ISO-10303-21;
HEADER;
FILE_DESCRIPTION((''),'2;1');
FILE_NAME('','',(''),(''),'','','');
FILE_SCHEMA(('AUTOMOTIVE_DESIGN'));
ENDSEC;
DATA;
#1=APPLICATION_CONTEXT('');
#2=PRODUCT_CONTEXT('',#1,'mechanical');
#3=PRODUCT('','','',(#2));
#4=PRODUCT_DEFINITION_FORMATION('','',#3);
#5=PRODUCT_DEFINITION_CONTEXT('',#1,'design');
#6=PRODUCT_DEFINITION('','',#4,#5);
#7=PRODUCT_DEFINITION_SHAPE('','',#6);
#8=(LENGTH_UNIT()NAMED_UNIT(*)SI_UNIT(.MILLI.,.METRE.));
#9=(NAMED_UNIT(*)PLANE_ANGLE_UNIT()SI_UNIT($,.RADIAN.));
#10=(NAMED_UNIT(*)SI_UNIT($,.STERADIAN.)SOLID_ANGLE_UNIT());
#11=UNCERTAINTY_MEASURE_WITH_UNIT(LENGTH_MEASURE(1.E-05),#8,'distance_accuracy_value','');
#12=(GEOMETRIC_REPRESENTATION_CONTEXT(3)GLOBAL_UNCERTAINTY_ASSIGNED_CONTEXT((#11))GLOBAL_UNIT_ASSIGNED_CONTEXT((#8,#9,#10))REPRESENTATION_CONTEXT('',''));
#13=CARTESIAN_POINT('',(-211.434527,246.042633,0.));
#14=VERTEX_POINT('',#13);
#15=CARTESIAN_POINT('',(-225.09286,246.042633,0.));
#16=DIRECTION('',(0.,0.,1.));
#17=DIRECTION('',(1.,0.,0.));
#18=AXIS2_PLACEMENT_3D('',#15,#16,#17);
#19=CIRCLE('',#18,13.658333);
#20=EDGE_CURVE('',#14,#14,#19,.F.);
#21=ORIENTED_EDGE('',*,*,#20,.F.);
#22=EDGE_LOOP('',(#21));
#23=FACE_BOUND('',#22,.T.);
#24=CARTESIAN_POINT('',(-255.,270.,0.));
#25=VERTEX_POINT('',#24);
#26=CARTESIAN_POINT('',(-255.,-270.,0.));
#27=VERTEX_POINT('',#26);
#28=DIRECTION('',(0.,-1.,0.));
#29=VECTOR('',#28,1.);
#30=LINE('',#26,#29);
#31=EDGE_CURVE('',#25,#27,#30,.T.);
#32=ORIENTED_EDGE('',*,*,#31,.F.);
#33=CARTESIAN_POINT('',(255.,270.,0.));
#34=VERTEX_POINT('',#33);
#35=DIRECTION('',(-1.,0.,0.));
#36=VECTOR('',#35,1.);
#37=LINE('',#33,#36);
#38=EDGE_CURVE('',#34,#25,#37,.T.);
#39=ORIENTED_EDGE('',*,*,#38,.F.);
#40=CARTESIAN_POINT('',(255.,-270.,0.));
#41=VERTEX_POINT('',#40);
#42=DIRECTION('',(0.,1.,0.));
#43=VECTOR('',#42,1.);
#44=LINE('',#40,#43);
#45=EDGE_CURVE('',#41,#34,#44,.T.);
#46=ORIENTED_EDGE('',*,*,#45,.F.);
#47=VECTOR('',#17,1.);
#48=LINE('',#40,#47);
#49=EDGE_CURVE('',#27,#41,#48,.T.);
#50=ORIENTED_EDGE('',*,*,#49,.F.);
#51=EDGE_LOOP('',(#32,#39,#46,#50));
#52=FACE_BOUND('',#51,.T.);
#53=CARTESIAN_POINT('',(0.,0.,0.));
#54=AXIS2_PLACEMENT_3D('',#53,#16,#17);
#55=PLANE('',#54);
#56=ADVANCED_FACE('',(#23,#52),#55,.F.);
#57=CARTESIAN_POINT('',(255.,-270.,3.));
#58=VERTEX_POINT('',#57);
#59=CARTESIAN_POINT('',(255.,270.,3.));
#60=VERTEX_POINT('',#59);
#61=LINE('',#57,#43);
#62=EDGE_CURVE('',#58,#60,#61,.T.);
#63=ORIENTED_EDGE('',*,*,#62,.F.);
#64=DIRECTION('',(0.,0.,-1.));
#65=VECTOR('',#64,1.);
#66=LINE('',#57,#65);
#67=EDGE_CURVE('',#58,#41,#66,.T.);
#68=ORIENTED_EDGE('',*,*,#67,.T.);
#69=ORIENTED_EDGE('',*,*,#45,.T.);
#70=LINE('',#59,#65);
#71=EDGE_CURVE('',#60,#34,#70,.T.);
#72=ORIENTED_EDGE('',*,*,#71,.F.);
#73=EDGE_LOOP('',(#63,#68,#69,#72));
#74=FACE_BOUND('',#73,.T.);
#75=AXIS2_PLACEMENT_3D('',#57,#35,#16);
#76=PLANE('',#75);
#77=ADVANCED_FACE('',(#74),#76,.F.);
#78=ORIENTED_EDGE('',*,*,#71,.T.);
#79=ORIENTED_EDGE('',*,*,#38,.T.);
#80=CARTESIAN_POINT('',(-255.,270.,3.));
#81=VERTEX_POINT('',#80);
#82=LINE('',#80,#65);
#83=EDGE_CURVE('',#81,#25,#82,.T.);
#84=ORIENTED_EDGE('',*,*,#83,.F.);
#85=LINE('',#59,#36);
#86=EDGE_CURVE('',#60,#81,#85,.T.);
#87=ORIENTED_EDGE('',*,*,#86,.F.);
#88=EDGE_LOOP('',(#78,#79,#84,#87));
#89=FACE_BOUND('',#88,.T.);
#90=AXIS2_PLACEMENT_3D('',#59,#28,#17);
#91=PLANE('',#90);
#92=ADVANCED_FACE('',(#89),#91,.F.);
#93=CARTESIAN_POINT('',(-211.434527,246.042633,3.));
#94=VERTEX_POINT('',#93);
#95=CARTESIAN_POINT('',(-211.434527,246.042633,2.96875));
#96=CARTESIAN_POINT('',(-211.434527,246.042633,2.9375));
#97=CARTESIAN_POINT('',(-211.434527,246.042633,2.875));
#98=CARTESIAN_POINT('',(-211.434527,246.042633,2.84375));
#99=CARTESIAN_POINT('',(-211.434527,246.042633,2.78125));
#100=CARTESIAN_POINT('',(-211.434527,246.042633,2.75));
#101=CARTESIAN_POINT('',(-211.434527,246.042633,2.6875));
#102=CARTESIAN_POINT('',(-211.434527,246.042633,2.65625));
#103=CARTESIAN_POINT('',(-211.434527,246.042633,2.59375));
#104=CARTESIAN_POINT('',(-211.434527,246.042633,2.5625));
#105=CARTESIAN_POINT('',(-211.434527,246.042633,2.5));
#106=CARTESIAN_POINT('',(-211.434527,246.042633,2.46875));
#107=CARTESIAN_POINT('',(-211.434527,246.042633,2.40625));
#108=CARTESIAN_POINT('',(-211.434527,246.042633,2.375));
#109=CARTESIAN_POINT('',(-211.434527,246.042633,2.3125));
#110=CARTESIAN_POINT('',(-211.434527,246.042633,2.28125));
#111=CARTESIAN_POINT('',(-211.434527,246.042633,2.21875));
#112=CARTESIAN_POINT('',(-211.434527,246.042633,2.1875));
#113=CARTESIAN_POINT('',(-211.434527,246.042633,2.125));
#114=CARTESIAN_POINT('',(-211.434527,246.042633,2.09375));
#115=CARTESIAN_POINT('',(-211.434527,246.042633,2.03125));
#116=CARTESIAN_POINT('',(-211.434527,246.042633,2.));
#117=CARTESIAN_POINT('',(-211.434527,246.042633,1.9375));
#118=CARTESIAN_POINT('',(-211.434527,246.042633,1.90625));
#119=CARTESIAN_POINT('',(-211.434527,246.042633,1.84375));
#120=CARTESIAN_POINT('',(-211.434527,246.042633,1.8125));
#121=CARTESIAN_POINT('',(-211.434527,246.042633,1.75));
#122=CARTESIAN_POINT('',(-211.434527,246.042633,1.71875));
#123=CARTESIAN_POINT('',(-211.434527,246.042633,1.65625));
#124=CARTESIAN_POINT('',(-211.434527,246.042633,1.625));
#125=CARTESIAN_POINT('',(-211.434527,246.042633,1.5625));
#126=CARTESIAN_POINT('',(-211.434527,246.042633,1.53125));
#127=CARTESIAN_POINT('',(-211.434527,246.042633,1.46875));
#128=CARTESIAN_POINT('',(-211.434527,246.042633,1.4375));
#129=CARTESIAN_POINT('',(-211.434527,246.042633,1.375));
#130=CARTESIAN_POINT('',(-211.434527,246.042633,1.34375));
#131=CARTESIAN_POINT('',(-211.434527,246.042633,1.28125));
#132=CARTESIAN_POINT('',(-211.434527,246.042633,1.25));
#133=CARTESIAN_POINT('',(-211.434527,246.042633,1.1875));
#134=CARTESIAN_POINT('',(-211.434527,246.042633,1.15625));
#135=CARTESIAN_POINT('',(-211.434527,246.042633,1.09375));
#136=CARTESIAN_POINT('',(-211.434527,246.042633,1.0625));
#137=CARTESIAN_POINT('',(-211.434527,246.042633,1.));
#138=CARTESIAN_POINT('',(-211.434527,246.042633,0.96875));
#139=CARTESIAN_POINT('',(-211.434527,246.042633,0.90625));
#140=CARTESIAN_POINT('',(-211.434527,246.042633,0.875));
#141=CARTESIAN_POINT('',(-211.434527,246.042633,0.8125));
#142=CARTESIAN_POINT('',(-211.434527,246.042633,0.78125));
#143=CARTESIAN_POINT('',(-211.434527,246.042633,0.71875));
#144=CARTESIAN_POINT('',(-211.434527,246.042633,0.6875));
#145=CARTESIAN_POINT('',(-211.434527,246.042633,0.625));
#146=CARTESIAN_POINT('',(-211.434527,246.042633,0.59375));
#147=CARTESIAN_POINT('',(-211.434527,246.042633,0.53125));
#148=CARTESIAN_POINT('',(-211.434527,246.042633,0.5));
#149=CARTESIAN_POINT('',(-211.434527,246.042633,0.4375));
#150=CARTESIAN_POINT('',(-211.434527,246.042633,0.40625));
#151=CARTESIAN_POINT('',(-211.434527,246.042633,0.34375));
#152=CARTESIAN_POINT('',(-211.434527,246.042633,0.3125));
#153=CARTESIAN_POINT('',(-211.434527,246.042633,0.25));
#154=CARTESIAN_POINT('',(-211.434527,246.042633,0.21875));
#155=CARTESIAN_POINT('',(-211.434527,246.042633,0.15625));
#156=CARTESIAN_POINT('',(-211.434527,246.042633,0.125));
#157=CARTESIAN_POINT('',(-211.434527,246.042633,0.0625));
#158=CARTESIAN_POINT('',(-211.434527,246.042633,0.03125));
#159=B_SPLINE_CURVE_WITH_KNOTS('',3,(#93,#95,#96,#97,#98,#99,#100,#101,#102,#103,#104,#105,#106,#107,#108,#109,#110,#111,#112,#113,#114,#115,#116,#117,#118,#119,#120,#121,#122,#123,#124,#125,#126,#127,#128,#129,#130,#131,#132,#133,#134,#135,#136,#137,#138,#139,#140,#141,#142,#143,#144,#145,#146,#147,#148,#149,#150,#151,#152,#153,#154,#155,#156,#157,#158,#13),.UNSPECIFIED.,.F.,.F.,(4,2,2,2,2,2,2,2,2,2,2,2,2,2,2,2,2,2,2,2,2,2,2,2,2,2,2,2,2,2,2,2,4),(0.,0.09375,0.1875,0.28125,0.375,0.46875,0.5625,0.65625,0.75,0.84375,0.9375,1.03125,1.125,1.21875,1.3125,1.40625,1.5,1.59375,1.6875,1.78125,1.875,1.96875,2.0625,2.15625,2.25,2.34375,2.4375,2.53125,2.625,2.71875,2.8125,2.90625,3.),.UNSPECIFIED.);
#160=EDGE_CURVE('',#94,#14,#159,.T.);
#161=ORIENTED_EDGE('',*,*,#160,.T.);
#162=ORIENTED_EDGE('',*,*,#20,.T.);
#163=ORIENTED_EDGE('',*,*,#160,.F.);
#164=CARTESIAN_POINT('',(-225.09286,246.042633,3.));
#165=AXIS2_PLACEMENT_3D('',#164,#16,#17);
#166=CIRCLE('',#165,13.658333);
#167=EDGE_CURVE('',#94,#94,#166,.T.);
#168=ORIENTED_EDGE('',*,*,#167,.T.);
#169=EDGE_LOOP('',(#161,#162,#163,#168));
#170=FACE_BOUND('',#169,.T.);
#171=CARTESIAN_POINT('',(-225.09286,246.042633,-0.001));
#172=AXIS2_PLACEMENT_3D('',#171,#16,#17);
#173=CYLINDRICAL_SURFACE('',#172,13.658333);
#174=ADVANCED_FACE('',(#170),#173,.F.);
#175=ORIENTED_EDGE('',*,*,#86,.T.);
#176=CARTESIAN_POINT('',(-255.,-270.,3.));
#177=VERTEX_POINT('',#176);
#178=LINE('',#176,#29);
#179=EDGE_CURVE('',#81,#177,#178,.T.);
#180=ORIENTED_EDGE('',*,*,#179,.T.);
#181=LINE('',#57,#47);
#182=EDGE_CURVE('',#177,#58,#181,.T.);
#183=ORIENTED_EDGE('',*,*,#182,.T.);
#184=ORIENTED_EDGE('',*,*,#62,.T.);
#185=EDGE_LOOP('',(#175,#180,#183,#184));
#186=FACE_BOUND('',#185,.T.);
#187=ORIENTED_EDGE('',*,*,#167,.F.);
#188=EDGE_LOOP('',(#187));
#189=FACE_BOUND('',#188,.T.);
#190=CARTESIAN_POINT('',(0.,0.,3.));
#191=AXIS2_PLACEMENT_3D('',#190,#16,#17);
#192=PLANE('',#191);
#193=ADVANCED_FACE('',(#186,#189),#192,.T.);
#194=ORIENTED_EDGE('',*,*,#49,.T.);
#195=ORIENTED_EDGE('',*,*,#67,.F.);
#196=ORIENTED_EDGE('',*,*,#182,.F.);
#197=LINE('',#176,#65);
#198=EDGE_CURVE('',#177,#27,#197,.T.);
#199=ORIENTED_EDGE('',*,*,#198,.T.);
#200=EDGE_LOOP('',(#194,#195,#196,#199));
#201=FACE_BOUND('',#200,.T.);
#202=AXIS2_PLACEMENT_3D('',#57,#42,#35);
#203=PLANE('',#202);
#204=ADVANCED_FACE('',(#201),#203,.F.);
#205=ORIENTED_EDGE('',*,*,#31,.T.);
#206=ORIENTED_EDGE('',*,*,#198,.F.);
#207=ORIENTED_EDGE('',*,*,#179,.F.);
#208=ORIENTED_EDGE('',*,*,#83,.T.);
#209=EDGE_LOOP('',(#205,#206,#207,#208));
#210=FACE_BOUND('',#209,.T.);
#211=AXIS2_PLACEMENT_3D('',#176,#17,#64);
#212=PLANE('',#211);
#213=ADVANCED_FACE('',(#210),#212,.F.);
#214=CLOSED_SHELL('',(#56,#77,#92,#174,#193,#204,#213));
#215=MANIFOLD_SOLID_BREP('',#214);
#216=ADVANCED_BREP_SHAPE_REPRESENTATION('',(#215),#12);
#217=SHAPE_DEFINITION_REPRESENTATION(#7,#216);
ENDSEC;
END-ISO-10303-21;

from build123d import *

# Parameters (mm, degrees)
SKETCH1_W           = 510
SKETCH1_H           = 540
BOSS_EXTRUDE1_DEPTH = 3
CUT_EXTRUDE1_REACH  = 373.395
SKETCH2_R           = 13.658333274


with BuildPart() as part:
    # Sketch1 → Boss-Extrude1 (new body)
    with BuildSketch(Plane.XY):
        Rectangle(SKETCH1_W, SKETCH1_H)
    extrude(amount=BOSS_EXTRUDE1_DEPTH)

    # Sketch2 → Cut-Extrude1 (cut, up to next)
    with BuildSketch(Plane.XY.offset(3), mode=Mode.PRIVATE) as cut_extrude1_sk1:
        with Locations((-225.092859776, 246.042633007)):
            Circle(SKETCH2_R)
    cut_extrude1_tool1 = extrude(cut_extrude1_sk1.sketch, amount=-CUT_EXTRUDE1_REACH, mode=Mode.PRIVATE) & part.part
    add(cut_extrude1_tool1.solids().sort_by_distance((-225.09286, 246.042633, 3))[0], mode=Mode.SUBTRACT)


solid = part.part
